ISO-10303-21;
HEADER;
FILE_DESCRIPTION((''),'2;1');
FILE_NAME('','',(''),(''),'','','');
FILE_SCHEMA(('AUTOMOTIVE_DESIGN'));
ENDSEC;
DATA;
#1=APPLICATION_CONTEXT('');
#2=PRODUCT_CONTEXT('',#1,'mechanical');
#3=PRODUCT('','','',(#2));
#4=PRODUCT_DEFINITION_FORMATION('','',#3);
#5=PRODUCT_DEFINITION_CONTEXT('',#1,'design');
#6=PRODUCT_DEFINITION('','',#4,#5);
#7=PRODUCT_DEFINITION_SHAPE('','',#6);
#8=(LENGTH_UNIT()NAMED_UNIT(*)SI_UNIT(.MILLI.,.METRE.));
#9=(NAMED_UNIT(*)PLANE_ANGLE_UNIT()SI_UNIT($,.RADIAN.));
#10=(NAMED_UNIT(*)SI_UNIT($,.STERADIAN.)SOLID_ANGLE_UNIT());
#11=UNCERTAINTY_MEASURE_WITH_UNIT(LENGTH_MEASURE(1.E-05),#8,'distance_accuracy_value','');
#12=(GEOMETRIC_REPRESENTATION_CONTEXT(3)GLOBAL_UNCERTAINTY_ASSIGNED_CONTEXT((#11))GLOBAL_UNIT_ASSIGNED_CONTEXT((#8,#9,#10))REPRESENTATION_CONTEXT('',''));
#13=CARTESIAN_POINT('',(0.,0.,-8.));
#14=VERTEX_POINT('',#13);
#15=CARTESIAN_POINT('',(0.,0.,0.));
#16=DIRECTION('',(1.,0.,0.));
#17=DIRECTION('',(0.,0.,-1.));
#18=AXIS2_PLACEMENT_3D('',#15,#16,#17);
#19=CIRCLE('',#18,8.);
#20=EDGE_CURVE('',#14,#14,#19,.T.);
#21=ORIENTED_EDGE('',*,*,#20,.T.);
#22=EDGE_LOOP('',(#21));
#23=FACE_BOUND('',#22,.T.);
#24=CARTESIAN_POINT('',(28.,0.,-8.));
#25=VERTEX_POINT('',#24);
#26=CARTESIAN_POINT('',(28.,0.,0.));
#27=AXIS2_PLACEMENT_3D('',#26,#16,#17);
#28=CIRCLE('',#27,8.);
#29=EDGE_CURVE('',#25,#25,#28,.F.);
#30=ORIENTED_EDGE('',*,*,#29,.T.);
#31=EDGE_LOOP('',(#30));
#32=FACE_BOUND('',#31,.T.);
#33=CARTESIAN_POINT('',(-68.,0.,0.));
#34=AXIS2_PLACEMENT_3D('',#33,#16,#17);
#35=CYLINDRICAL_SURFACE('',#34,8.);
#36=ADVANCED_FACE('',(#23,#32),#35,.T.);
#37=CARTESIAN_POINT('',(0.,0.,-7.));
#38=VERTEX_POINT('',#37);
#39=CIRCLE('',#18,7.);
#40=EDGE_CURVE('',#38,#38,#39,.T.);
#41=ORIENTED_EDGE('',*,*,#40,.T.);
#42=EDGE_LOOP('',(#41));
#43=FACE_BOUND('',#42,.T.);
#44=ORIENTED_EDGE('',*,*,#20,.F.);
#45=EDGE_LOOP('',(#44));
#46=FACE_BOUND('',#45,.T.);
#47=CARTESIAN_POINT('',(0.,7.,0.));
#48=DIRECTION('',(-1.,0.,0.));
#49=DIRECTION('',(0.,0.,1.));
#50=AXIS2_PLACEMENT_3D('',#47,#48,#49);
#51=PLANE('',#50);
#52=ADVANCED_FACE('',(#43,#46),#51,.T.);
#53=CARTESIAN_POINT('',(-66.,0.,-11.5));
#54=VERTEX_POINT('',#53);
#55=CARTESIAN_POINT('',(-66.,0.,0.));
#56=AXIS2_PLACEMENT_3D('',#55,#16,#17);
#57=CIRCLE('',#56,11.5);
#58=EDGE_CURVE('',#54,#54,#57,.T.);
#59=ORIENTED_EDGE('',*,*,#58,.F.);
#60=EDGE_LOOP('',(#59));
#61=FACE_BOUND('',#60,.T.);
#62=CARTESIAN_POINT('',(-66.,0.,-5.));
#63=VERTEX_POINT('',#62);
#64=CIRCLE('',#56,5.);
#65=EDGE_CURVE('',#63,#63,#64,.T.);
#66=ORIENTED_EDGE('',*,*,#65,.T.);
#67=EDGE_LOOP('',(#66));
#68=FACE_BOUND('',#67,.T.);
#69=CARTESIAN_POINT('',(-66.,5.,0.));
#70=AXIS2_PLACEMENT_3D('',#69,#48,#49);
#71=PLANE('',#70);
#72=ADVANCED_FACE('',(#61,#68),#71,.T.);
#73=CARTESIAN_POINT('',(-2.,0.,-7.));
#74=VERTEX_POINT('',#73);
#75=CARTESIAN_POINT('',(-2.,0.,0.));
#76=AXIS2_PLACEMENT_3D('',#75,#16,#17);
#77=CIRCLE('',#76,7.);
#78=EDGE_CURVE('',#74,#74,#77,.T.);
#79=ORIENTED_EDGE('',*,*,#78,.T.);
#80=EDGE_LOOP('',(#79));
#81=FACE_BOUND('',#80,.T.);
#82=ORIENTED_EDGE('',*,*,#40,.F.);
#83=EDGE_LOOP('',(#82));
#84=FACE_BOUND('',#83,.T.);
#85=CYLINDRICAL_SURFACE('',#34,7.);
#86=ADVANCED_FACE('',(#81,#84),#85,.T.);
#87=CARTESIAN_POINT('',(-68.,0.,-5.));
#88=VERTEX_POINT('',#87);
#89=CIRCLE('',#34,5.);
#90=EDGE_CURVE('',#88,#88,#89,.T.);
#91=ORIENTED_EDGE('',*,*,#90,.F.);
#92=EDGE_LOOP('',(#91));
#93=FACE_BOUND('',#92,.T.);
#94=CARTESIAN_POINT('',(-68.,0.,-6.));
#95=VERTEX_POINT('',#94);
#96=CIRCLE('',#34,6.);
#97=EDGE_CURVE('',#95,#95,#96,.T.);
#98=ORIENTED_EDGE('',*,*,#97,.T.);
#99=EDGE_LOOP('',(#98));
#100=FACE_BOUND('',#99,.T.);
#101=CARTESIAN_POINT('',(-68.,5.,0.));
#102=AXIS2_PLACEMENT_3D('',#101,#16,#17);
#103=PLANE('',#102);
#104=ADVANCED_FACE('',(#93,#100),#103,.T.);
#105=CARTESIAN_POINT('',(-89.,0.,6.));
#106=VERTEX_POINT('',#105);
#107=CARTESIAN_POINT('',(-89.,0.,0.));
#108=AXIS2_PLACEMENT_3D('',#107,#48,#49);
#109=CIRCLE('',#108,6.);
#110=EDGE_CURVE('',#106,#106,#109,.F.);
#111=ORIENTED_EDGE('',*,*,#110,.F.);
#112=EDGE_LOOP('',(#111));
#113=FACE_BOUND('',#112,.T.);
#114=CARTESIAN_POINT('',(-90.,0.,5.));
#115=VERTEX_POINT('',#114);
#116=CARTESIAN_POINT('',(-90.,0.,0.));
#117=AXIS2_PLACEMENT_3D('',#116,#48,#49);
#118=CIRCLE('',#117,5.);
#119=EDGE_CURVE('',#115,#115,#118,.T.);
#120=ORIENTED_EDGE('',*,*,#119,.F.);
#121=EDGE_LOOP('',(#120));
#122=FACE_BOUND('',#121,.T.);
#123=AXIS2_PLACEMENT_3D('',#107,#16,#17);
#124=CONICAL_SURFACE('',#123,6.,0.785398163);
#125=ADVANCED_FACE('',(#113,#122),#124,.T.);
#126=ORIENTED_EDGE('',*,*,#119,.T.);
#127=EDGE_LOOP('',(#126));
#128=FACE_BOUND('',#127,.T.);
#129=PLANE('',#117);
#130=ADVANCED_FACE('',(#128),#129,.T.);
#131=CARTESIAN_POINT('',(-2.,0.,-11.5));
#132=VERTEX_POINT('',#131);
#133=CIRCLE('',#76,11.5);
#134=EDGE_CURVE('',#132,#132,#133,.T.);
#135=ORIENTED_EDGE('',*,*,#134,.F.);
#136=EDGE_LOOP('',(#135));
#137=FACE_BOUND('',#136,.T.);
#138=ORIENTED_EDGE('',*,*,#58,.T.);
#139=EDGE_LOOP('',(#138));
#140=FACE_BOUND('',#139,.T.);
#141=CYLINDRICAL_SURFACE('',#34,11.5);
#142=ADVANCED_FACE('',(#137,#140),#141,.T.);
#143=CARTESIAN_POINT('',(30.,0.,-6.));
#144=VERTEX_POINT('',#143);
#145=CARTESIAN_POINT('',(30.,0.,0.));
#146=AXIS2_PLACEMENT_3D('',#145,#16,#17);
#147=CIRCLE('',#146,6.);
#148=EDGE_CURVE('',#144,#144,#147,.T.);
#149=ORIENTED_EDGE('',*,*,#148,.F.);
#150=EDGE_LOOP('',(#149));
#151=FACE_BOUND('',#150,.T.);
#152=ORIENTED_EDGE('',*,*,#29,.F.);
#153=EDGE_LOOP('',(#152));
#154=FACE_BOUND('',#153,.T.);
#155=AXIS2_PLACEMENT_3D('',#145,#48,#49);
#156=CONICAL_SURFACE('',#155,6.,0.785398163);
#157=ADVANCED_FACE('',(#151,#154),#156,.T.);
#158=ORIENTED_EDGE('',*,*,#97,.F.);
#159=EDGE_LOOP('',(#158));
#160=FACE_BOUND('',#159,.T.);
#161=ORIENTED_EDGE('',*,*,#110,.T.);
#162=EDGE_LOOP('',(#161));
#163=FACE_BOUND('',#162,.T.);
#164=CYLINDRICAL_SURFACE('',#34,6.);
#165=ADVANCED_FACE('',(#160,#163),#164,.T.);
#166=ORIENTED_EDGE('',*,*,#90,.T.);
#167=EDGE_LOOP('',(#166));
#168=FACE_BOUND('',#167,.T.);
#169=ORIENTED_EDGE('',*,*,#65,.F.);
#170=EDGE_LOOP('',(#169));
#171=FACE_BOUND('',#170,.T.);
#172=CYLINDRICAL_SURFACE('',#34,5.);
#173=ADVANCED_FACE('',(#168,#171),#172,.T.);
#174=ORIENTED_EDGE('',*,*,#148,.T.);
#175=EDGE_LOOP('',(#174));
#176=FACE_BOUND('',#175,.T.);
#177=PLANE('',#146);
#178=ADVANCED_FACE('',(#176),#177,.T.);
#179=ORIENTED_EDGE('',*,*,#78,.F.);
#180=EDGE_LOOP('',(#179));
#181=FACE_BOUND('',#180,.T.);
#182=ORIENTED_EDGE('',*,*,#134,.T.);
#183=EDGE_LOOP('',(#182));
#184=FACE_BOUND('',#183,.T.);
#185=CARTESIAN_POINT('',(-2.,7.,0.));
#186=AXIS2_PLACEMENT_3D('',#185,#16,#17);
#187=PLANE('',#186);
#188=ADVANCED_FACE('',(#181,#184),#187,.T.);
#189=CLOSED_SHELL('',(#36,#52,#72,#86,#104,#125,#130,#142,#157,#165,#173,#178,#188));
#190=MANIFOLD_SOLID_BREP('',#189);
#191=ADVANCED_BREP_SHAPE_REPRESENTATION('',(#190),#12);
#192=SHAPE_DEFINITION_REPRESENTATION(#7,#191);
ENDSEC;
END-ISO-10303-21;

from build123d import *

# Parameters (mm, degrees)
CHAMFER1_SIZE = 2
CHAMFER2_SIZE = 1


with BuildPart() as part:
    # Sketch1 → Revolve1 (revolve)
    with BuildSketch(Plane.XY, mode=Mode.PRIVATE) as revolve1_sk:
        Polygon((0, 0), (30, 0), (30, 8), (0, 8), (0, 7), (-2, 7), (-2, 11.5), (-66, 11.5), (-66, 5), (-68, 5), (-68, 6), (-90, 6), (-90, 0), (-68, 0), (-66, 0), (-2, 0), align=None)
    revolve(revolve1_sk.sketch.rotate(Axis((-68, 0, 0), (-1, 0, 0)), 90), axis=Axis((-68, 0, 0), (-1, 0, 0)))

    # Chamfer1
    chamfer1_edges = [part.edges().sort_by_distance(p)[0] for p in [
        (30, 0, 8),
    ]]
    chamfer(chamfer1_edges, length=CHAMFER1_SIZE)

    # Chamfer2
    chamfer2_edges = [part.edges().sort_by_distance(p)[0] for p in [
        (-90, 0, 6),
    ]]
    chamfer(chamfer2_edges, length=CHAMFER2_SIZE)


solid = part.part
